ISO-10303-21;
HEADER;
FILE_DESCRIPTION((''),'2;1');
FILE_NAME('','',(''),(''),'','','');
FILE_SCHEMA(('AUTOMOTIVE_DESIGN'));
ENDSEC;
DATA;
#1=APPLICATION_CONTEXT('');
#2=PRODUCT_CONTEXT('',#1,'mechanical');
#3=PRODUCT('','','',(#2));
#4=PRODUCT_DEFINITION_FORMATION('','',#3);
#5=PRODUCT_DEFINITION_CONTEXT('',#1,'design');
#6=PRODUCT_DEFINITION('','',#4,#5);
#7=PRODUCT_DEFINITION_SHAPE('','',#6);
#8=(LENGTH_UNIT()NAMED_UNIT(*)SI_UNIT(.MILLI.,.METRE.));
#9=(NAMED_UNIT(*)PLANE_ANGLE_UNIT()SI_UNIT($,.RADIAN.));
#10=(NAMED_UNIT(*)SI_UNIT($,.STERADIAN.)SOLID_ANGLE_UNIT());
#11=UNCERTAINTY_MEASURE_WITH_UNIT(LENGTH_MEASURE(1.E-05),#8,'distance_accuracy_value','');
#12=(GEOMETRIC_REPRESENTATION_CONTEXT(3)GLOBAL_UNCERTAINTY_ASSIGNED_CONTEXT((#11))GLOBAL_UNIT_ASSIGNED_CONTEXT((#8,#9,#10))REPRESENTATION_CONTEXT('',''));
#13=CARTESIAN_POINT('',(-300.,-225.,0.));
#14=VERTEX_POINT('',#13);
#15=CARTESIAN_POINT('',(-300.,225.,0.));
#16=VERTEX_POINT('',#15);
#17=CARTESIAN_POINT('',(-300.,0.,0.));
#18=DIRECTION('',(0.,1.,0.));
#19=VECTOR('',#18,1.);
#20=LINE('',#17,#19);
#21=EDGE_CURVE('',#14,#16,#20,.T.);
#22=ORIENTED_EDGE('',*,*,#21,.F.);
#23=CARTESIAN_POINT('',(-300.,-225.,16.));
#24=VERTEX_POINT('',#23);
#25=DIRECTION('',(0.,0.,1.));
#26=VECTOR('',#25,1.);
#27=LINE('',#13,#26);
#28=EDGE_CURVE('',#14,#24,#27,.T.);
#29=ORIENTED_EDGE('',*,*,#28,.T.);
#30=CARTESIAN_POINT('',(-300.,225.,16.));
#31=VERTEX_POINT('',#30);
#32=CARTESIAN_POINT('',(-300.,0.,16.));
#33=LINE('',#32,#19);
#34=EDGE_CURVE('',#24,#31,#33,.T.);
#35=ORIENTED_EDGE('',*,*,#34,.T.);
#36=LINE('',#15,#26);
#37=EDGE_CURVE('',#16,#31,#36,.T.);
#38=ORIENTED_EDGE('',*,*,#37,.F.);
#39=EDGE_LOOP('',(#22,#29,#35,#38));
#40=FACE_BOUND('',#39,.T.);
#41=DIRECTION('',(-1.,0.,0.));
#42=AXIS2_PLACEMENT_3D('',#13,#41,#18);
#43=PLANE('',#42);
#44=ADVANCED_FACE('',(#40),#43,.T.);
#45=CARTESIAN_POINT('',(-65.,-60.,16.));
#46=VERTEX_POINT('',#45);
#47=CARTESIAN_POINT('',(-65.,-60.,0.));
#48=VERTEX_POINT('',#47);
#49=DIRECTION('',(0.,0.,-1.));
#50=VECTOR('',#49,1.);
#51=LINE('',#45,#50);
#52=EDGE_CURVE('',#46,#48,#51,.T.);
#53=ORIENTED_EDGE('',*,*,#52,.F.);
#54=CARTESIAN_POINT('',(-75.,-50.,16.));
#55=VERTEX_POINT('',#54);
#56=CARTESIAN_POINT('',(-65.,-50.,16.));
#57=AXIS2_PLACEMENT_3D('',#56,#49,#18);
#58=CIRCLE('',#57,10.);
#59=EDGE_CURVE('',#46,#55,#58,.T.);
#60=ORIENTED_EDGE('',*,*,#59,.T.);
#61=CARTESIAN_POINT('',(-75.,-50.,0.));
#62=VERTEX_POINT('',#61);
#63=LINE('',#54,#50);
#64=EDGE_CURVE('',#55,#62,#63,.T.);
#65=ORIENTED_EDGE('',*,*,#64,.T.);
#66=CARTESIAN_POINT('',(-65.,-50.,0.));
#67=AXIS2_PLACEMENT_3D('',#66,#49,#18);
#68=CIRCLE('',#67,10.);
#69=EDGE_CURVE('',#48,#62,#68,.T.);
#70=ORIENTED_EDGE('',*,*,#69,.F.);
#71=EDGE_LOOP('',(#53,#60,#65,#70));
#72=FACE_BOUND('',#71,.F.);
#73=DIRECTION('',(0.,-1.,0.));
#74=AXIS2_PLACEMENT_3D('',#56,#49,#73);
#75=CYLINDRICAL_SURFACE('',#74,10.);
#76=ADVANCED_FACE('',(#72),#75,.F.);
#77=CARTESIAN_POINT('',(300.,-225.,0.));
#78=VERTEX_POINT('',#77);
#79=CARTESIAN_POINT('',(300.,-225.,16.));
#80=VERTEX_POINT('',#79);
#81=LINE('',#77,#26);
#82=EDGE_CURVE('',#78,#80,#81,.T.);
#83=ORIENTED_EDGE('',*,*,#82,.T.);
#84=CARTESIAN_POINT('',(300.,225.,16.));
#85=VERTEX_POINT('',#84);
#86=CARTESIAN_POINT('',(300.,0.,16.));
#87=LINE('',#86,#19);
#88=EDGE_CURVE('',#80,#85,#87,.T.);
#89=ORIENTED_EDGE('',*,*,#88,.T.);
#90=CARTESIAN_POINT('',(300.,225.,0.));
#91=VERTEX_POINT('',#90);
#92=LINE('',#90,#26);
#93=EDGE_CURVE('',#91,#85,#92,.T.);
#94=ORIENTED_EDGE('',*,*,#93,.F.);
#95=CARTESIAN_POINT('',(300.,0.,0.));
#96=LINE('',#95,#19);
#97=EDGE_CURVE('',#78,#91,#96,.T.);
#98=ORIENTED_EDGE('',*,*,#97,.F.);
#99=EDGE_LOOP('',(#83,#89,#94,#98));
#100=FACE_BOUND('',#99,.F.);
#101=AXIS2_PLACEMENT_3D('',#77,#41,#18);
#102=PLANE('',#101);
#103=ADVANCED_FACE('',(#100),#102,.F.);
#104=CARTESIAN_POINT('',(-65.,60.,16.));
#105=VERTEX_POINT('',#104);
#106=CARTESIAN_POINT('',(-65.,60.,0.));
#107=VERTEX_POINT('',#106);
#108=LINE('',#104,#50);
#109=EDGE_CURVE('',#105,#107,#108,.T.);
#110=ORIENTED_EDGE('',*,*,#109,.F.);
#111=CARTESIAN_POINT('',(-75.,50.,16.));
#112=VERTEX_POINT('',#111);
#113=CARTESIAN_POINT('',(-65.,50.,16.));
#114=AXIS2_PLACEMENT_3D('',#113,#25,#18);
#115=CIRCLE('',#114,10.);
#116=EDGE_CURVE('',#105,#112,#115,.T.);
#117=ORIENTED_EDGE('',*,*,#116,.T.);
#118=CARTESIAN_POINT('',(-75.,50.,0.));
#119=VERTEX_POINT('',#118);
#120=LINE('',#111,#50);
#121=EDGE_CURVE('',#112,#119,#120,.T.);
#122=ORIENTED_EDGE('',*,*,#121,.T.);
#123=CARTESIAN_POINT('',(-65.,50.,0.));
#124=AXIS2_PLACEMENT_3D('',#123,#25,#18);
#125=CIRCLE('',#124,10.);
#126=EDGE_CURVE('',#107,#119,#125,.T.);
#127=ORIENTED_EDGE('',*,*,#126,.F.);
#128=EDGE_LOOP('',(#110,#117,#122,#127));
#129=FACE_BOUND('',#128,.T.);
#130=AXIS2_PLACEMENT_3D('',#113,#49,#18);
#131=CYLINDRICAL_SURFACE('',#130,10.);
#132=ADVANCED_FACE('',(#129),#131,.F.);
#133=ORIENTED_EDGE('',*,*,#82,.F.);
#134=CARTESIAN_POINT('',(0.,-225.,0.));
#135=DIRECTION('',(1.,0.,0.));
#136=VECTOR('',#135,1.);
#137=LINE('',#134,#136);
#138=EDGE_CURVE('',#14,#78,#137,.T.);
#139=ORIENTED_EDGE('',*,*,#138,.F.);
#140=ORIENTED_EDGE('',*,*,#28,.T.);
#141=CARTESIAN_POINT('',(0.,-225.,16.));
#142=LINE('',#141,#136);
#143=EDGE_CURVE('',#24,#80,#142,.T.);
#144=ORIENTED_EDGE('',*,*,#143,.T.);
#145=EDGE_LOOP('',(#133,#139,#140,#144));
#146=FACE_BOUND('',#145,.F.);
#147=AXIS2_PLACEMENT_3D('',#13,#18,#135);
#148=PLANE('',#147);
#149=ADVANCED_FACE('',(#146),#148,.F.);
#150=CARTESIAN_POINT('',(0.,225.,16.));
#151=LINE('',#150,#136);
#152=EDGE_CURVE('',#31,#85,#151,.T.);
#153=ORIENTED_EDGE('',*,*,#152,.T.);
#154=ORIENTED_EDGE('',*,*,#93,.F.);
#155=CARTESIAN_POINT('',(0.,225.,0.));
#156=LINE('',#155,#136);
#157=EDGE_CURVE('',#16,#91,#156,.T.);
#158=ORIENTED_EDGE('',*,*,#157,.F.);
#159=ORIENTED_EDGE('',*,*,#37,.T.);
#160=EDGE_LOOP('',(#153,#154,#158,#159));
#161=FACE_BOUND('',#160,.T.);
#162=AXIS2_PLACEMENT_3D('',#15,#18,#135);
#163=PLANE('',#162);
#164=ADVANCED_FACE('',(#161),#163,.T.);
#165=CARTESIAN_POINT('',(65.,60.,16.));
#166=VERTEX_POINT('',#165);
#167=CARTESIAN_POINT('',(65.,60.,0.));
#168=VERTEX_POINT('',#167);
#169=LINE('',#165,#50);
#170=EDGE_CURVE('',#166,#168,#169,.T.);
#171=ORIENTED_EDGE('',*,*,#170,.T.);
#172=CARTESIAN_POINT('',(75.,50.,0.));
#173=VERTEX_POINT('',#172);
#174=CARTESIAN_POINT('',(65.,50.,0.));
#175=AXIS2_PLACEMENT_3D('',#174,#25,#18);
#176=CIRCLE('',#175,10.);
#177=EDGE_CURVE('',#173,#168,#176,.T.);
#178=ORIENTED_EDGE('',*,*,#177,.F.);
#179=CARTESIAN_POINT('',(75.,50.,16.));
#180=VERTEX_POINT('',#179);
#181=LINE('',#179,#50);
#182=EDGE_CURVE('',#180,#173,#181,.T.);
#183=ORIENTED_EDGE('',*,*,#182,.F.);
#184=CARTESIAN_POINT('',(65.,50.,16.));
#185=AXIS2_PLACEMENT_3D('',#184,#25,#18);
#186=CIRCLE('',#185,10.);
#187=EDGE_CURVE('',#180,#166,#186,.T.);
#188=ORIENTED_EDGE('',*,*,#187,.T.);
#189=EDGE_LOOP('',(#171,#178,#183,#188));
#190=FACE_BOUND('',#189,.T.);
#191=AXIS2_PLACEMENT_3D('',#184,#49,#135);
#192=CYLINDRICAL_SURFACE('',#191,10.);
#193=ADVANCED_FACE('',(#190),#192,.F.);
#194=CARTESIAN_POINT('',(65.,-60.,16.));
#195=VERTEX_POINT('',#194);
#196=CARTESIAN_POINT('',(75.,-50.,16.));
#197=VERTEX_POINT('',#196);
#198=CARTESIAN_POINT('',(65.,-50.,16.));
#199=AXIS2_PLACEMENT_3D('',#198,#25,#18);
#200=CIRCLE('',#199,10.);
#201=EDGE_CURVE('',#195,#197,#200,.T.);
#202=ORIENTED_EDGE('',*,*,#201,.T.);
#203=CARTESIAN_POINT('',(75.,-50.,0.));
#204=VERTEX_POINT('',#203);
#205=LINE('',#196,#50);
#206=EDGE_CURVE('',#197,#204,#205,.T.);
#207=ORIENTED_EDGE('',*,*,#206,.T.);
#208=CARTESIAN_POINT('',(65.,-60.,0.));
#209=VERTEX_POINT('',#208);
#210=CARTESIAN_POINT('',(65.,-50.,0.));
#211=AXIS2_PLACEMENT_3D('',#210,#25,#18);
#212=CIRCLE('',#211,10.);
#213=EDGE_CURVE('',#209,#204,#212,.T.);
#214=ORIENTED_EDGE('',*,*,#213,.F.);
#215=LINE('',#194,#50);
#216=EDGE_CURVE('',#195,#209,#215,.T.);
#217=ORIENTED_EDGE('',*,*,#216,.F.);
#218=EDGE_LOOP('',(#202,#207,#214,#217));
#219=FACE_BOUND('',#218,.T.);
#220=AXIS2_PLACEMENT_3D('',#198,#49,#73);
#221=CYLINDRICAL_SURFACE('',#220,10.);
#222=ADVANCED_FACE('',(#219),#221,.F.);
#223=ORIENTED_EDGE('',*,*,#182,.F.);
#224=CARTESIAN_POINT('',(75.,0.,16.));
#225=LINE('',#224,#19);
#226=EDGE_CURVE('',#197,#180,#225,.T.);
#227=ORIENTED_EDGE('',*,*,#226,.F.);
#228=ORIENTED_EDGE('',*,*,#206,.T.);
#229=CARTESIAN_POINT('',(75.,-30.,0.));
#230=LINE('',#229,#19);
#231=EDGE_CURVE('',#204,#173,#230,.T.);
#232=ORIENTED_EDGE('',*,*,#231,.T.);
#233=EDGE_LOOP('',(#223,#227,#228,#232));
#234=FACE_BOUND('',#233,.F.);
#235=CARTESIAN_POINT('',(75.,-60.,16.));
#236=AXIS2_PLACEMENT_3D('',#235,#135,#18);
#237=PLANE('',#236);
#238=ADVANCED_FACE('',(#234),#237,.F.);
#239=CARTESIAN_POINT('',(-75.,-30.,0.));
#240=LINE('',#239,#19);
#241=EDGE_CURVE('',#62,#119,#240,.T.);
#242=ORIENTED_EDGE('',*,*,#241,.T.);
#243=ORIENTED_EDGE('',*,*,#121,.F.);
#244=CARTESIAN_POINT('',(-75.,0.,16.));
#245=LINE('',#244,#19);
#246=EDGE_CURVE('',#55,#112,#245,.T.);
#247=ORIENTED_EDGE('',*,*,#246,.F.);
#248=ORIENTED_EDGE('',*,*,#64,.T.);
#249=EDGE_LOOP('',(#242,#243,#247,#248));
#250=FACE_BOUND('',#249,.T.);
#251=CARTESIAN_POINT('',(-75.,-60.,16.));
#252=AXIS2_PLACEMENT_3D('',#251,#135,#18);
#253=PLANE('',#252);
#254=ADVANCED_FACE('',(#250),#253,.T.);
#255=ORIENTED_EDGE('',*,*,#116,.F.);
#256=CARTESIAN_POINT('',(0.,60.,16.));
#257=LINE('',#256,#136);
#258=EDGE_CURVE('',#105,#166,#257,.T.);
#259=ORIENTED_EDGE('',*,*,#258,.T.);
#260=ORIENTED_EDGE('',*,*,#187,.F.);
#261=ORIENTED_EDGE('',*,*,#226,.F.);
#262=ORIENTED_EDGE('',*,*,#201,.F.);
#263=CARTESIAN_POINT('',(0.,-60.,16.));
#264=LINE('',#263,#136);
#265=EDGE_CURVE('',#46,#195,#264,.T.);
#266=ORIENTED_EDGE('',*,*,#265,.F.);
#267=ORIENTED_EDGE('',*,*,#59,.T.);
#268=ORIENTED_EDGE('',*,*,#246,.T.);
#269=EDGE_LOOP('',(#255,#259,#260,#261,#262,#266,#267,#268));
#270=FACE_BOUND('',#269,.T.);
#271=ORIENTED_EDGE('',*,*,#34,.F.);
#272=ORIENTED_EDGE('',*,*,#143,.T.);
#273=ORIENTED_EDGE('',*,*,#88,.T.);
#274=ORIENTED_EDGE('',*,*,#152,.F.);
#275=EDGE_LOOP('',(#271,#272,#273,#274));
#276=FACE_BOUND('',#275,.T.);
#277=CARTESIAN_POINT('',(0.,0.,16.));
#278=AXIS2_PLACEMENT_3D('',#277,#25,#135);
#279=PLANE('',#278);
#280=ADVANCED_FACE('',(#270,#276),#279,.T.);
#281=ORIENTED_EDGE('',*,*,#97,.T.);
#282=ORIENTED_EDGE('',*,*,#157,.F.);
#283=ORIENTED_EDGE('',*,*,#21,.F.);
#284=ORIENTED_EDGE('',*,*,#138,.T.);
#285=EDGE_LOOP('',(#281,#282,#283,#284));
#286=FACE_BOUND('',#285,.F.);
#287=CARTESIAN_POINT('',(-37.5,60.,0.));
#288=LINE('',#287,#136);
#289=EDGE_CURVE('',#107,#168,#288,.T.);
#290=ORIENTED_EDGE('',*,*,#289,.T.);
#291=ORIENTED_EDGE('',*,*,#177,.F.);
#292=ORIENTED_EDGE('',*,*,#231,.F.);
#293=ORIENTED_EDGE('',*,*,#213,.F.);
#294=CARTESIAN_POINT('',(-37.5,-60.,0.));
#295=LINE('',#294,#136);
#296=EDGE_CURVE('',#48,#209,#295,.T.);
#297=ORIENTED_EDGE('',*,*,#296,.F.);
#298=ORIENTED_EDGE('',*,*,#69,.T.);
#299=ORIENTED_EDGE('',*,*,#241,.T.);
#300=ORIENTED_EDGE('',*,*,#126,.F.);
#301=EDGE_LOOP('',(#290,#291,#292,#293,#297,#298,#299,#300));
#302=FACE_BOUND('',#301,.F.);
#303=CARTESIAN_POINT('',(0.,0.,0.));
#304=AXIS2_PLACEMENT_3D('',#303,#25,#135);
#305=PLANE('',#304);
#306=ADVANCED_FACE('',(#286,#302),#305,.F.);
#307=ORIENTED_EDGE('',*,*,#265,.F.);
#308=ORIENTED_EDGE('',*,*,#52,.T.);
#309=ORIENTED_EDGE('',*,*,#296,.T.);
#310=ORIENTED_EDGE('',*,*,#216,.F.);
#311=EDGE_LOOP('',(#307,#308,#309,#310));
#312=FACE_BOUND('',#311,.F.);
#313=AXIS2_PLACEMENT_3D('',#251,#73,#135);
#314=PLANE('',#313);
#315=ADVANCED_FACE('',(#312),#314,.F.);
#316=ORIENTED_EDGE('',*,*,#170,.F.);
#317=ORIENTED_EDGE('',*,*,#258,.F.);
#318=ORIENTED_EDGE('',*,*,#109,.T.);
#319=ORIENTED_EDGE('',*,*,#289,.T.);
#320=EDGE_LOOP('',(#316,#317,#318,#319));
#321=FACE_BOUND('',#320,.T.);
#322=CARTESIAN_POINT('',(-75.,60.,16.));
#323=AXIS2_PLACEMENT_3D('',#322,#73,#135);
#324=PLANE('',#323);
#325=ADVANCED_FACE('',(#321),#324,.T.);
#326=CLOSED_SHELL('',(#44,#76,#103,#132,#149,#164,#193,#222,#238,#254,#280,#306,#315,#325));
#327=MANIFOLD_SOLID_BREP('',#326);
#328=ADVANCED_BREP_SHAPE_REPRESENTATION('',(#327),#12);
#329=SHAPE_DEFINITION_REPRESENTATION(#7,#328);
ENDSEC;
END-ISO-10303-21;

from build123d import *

# Parameters (mm, degrees)
F0_W     = 600
F0_H     = 450
F1_DEPTH = 16
F2_W     = 150
F2_H     = 120
F3_DEPTH = 16.001
F4_R     = 10


with BuildPart() as f1:
    # F0 (on Top) → F1 (new body)
    with BuildSketch(Plane.XY):
        Rectangle(F0_W, F0_H)
    extrude(amount=F1_DEPTH)

    # F2 (on face) → F3 (cut, through all)
    with BuildSketch(Plane.XY.offset(16)):
        Rectangle(F2_W, F2_H)
    extrude(amount=-F3_DEPTH, mode=Mode.SUBTRACT)

    # F4
    f4_edges = [f1.edges().sort_by_distance(p)[0] for p in [
        (-75, 60, 8),
        (75, 60, 8),
        (75, -60, 8),
        (-75, -60, 8),
    ]]
    fillet(f4_edges, radius=F4_R)


solid = f1.part
